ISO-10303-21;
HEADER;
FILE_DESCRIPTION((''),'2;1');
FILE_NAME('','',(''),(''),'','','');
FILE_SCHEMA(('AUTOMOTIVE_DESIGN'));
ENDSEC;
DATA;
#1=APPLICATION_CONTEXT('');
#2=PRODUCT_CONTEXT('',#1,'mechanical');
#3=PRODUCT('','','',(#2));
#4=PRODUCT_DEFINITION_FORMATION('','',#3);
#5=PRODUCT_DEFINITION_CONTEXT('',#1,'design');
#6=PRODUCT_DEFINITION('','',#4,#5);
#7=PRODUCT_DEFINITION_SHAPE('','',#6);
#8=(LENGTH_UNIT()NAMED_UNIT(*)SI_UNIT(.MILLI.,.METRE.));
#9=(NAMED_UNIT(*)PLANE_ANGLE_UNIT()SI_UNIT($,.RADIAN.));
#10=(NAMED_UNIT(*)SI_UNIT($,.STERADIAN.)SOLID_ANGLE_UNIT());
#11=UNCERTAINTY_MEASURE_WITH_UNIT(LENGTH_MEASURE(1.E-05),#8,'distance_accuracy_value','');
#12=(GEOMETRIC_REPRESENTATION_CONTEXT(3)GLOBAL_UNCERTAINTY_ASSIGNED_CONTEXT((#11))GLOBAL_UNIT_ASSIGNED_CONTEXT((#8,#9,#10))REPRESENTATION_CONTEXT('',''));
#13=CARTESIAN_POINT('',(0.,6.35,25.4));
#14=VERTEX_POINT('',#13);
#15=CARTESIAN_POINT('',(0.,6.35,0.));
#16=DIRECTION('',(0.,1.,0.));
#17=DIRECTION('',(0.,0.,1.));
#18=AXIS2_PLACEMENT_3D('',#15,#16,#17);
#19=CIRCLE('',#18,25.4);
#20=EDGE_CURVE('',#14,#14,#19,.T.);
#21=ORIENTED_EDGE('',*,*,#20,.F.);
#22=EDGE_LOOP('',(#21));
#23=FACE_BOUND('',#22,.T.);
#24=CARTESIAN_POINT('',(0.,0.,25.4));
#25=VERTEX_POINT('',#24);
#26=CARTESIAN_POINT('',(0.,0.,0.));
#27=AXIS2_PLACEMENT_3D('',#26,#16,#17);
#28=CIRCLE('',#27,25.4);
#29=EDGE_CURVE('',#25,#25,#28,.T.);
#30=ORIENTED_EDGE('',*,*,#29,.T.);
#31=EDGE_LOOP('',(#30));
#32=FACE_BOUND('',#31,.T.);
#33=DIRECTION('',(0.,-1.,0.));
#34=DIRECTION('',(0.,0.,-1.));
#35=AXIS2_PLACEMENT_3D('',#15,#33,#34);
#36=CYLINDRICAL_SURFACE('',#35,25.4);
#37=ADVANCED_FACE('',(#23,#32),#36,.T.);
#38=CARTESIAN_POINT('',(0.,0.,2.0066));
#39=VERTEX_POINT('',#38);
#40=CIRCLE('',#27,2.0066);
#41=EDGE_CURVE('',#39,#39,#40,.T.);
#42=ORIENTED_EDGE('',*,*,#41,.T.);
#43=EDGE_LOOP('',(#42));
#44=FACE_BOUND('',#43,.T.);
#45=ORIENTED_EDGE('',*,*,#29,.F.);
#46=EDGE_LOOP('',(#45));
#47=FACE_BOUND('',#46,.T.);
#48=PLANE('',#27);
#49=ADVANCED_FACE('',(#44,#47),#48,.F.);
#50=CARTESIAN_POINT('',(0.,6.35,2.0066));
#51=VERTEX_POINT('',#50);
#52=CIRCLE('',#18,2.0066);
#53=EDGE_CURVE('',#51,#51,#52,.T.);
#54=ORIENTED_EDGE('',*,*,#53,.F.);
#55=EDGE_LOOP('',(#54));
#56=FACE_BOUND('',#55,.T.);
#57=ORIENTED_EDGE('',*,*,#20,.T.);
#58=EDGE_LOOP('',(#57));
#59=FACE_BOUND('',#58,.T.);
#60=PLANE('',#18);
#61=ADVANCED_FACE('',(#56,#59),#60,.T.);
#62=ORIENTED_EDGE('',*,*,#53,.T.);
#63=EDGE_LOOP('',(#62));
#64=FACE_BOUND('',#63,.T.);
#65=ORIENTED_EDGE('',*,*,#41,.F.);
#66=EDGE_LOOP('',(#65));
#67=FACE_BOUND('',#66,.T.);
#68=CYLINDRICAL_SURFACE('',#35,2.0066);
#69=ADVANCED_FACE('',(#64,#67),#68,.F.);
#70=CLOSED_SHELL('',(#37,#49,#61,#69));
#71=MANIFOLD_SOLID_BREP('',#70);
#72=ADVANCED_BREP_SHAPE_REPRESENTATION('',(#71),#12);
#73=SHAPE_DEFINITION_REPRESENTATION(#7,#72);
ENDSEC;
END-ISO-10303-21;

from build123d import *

# Parameters (mm, degrees)
SKETCH1_R           = 25.4
SKETCH1_R_2         = 2.0066
BOSS_EXTRUDE1_DEPTH = 6.35


with BuildPart() as part:
    # Sketch1 → Boss-Extrude1 (new body)
    with BuildSketch(Plane(origin=(0, 0, 0), x_dir=(1, 0, 0), z_dir=(0, 1, 0))):
        Circle(SKETCH1_R)
        Circle(SKETCH1_R_2, mode=Mode.SUBTRACT)
    extrude(amount=BOSS_EXTRUDE1_DEPTH)


solid = part.part
